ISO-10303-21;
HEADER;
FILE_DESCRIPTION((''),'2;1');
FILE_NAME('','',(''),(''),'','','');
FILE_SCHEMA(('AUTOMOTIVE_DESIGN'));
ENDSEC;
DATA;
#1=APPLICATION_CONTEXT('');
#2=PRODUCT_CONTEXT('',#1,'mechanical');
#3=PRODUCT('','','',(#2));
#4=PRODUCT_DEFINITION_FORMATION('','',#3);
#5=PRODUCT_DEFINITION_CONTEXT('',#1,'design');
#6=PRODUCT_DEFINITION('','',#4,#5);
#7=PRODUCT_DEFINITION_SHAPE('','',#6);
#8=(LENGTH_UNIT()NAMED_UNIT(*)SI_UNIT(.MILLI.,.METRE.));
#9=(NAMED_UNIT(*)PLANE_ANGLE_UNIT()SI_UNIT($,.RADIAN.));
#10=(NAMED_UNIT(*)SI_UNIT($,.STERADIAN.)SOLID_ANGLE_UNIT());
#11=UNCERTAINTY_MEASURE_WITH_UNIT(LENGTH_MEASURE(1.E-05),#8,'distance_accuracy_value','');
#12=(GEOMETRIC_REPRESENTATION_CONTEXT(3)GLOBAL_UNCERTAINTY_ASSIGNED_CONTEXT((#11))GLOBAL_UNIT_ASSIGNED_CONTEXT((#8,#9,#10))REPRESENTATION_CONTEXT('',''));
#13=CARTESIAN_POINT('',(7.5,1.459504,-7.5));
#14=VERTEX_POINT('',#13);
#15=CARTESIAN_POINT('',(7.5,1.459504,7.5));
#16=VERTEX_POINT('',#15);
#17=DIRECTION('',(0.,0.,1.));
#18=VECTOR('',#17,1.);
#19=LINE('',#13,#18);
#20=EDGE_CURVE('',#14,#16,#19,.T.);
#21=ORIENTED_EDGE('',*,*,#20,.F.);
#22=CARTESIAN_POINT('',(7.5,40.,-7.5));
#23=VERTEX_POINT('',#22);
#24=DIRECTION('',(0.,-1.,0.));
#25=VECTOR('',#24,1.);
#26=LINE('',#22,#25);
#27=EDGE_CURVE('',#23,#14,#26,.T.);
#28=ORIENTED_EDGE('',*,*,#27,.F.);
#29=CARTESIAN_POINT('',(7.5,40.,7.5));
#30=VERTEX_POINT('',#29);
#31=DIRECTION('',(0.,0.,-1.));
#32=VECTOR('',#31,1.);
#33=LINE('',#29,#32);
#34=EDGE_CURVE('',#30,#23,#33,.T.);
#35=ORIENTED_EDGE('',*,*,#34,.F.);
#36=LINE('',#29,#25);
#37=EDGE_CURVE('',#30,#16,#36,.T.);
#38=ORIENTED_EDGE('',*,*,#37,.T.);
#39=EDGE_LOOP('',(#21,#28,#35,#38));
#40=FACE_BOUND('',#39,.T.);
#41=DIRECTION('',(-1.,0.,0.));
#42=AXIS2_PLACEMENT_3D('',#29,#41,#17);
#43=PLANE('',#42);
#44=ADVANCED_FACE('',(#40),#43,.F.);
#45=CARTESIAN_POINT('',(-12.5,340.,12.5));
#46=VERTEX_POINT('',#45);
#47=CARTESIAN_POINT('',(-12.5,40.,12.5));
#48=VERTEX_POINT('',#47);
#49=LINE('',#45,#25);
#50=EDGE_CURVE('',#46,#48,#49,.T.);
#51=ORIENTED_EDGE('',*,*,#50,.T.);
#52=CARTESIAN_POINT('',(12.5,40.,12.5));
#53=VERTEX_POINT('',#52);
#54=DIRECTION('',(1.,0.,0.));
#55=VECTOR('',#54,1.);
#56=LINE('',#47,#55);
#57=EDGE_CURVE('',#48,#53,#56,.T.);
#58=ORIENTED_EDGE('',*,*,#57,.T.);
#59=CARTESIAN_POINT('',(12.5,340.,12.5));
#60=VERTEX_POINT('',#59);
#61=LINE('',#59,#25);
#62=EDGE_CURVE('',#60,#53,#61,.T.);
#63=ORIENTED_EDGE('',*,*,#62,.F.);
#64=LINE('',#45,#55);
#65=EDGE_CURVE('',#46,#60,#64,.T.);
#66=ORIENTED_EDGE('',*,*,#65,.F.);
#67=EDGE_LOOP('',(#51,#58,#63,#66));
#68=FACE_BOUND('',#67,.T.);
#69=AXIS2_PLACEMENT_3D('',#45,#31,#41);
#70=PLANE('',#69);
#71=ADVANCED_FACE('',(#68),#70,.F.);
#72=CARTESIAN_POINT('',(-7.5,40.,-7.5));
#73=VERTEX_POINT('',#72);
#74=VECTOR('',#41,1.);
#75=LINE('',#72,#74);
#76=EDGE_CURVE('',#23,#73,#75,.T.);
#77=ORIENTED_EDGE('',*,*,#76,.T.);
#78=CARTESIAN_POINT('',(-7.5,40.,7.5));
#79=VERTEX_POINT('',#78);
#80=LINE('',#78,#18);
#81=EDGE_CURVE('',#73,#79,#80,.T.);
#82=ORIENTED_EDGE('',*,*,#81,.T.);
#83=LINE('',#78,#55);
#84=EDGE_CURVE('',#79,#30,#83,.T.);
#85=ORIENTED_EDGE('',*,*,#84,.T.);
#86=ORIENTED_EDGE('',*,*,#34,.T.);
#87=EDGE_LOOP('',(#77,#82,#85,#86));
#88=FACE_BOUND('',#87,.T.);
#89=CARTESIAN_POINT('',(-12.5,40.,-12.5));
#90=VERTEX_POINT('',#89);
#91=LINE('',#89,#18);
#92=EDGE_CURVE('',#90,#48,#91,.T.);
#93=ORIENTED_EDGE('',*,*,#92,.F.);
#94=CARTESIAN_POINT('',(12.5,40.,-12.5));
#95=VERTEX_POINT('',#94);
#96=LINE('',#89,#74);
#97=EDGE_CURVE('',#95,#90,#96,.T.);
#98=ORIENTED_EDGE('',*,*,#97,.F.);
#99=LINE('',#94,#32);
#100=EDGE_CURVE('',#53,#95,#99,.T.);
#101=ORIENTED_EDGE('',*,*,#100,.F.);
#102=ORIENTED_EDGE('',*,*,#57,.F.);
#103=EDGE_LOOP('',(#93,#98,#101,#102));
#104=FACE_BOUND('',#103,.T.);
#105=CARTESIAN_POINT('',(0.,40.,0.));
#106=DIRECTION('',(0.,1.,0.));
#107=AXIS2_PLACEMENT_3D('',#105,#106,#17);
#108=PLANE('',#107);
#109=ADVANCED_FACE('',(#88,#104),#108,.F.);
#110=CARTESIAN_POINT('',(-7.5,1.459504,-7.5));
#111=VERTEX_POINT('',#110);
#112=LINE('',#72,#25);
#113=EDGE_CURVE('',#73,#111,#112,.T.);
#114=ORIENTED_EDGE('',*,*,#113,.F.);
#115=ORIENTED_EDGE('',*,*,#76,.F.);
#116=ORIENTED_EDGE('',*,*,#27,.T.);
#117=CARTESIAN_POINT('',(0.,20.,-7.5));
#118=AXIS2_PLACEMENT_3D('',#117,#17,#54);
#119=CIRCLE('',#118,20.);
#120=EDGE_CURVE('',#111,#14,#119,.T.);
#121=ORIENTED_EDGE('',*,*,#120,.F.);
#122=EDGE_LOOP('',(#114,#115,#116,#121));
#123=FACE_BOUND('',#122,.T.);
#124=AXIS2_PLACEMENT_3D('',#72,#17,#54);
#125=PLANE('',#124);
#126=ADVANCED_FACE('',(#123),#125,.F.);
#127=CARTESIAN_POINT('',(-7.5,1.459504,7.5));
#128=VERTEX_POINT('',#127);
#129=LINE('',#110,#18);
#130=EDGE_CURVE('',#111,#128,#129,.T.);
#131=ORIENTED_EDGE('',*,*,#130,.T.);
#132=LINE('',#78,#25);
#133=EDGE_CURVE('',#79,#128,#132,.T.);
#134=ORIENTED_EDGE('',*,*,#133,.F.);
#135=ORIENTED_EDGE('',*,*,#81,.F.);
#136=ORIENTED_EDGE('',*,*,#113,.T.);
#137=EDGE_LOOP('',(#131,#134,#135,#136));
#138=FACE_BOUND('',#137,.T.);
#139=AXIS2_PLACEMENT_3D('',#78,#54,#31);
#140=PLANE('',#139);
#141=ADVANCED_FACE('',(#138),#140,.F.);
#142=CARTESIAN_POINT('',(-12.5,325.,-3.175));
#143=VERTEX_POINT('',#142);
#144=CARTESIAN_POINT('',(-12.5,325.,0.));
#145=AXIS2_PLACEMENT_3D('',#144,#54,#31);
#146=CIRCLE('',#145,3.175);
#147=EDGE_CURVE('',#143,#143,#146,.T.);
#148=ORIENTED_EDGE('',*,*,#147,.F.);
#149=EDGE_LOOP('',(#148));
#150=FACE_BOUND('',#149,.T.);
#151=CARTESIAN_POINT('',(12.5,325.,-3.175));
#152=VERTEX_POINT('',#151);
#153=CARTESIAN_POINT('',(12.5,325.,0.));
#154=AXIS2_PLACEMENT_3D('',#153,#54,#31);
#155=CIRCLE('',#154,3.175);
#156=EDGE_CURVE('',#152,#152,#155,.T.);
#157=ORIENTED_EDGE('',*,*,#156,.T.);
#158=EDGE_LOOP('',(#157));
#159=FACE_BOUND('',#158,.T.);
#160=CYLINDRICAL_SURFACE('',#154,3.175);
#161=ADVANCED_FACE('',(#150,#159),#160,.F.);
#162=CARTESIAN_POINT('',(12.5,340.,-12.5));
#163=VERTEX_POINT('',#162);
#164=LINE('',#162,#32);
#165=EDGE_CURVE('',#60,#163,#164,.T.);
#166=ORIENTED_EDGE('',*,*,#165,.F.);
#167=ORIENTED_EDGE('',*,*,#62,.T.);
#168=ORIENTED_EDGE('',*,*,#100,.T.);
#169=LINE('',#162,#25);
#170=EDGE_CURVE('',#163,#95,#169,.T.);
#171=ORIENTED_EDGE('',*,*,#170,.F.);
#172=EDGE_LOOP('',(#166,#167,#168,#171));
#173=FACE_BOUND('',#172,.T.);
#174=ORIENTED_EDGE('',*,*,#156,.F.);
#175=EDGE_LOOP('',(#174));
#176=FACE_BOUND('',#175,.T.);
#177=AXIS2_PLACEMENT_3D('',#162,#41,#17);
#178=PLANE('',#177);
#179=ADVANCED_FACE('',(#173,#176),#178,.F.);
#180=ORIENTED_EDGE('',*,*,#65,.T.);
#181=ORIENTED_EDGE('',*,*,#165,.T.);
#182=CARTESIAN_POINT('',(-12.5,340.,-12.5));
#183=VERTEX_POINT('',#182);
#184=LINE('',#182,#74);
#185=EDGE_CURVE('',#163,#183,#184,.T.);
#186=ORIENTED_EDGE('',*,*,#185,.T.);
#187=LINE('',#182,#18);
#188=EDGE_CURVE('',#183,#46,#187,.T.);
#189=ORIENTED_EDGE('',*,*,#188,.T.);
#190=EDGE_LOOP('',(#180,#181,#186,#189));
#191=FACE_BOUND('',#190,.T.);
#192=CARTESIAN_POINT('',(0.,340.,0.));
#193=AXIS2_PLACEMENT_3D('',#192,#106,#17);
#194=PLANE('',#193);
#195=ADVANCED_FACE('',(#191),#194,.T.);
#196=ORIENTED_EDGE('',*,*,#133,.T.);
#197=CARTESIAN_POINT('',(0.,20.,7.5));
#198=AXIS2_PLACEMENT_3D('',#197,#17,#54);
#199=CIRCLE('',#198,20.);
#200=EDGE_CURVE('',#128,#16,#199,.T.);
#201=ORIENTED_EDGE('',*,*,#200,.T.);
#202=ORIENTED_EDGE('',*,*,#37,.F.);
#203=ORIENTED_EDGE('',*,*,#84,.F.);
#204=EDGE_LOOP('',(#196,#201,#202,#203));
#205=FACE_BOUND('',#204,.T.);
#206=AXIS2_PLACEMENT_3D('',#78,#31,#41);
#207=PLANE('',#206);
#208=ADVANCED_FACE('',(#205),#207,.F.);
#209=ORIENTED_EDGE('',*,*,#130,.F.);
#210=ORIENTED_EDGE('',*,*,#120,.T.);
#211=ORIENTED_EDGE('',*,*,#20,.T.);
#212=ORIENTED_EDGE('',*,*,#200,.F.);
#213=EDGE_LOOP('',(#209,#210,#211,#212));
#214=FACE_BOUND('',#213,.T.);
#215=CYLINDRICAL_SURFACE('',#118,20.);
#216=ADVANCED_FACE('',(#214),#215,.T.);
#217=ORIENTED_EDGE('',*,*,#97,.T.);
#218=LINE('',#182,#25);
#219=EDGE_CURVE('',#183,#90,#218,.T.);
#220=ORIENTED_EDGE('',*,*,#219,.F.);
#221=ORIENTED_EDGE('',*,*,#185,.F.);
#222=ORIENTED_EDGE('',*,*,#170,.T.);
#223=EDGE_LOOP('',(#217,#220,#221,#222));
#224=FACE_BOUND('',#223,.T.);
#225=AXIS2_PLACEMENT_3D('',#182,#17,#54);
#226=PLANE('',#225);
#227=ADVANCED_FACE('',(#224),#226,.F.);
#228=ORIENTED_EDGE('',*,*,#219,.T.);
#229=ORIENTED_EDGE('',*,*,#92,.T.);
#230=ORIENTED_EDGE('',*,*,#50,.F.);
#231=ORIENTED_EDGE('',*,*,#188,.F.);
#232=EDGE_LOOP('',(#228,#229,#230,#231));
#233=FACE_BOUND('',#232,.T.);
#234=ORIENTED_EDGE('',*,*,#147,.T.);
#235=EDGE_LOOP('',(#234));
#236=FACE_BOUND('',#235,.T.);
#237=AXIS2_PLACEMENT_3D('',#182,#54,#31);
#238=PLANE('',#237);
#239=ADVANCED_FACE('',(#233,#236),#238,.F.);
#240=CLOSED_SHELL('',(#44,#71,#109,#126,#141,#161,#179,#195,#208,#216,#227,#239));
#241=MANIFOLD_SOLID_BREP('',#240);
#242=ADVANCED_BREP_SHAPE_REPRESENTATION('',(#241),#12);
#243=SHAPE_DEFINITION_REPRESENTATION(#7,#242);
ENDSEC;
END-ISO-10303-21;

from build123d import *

# Parameters (mm, degrees)
SKETCH1_W                   = 15
SKETCH1_H                   = 15
BOSS_EXTRUDE1_DEPTH         = 40
CUT_EXTRUDE1_DEPTH          = 44.373378932
SKETCH3_W                   = 25
SKETCH3_H                   = 25
BOSS_EXTRUDE2_DEPTH         = 300
F_1_4_0_25_DIAMETER_HOLE1_D = 6.35


with BuildPart() as part:
    # Sketch1 → Boss-Extrude1 (new body)
    with BuildSketch(Plane(origin=(0, 0, 0), x_dir=(1, 0, 0), z_dir=(0, 1, 0))):
        Rectangle(SKETCH1_W, SKETCH1_H)
    extrude(amount=BOSS_EXTRUDE1_DEPTH)

    # Sketch2 → Cut-Extrude1 (cut, through all)
    with BuildSketch(Plane.XY.offset(7.5)):
        with BuildLine():
            ThreePointArc((1.6e-07, 0), (-3.820345171, 0.368266435), (-7.5, 1.459503782))
            Line((-7.5, 1.459503782), (-7.5, 0))
            Line((-7.5, 0), (1.6e-07, 0))
        make_face()
        with BuildLine():
            ThreePointArc((7.5, 1.459503782), (3.820345328, 0.368266465), (1.6e-07, 0))
            Line((1.6e-07, 0), (7.5, 0))
            Line((7.5, 0), (7.5, 1.459503782))
        make_face()
    extrude(amount=-CUT_EXTRUDE1_DEPTH, mode=Mode.SUBTRACT)

    # Sketch3 → Boss-Extrude2 (add)
    with BuildSketch(Plane(origin=(0, 40, 0), x_dir=(1, 0, 0), z_dir=(0, 1, 0))):
        Rectangle(SKETCH3_W, SKETCH3_H)
    extrude(amount=BOSS_EXTRUDE2_DEPTH)

    # 1/4 (0.25) Diameter Hole1 (through all)
    with Locations(Plane(origin=(12.5, 0, 0), x_dir=(0, 0, -1), z_dir=(1, 0, 0))):
        with Locations((0, 325)):
            Hole(F_1_4_0_25_DIAMETER_HOLE1_D / 2)


solid = part.part
